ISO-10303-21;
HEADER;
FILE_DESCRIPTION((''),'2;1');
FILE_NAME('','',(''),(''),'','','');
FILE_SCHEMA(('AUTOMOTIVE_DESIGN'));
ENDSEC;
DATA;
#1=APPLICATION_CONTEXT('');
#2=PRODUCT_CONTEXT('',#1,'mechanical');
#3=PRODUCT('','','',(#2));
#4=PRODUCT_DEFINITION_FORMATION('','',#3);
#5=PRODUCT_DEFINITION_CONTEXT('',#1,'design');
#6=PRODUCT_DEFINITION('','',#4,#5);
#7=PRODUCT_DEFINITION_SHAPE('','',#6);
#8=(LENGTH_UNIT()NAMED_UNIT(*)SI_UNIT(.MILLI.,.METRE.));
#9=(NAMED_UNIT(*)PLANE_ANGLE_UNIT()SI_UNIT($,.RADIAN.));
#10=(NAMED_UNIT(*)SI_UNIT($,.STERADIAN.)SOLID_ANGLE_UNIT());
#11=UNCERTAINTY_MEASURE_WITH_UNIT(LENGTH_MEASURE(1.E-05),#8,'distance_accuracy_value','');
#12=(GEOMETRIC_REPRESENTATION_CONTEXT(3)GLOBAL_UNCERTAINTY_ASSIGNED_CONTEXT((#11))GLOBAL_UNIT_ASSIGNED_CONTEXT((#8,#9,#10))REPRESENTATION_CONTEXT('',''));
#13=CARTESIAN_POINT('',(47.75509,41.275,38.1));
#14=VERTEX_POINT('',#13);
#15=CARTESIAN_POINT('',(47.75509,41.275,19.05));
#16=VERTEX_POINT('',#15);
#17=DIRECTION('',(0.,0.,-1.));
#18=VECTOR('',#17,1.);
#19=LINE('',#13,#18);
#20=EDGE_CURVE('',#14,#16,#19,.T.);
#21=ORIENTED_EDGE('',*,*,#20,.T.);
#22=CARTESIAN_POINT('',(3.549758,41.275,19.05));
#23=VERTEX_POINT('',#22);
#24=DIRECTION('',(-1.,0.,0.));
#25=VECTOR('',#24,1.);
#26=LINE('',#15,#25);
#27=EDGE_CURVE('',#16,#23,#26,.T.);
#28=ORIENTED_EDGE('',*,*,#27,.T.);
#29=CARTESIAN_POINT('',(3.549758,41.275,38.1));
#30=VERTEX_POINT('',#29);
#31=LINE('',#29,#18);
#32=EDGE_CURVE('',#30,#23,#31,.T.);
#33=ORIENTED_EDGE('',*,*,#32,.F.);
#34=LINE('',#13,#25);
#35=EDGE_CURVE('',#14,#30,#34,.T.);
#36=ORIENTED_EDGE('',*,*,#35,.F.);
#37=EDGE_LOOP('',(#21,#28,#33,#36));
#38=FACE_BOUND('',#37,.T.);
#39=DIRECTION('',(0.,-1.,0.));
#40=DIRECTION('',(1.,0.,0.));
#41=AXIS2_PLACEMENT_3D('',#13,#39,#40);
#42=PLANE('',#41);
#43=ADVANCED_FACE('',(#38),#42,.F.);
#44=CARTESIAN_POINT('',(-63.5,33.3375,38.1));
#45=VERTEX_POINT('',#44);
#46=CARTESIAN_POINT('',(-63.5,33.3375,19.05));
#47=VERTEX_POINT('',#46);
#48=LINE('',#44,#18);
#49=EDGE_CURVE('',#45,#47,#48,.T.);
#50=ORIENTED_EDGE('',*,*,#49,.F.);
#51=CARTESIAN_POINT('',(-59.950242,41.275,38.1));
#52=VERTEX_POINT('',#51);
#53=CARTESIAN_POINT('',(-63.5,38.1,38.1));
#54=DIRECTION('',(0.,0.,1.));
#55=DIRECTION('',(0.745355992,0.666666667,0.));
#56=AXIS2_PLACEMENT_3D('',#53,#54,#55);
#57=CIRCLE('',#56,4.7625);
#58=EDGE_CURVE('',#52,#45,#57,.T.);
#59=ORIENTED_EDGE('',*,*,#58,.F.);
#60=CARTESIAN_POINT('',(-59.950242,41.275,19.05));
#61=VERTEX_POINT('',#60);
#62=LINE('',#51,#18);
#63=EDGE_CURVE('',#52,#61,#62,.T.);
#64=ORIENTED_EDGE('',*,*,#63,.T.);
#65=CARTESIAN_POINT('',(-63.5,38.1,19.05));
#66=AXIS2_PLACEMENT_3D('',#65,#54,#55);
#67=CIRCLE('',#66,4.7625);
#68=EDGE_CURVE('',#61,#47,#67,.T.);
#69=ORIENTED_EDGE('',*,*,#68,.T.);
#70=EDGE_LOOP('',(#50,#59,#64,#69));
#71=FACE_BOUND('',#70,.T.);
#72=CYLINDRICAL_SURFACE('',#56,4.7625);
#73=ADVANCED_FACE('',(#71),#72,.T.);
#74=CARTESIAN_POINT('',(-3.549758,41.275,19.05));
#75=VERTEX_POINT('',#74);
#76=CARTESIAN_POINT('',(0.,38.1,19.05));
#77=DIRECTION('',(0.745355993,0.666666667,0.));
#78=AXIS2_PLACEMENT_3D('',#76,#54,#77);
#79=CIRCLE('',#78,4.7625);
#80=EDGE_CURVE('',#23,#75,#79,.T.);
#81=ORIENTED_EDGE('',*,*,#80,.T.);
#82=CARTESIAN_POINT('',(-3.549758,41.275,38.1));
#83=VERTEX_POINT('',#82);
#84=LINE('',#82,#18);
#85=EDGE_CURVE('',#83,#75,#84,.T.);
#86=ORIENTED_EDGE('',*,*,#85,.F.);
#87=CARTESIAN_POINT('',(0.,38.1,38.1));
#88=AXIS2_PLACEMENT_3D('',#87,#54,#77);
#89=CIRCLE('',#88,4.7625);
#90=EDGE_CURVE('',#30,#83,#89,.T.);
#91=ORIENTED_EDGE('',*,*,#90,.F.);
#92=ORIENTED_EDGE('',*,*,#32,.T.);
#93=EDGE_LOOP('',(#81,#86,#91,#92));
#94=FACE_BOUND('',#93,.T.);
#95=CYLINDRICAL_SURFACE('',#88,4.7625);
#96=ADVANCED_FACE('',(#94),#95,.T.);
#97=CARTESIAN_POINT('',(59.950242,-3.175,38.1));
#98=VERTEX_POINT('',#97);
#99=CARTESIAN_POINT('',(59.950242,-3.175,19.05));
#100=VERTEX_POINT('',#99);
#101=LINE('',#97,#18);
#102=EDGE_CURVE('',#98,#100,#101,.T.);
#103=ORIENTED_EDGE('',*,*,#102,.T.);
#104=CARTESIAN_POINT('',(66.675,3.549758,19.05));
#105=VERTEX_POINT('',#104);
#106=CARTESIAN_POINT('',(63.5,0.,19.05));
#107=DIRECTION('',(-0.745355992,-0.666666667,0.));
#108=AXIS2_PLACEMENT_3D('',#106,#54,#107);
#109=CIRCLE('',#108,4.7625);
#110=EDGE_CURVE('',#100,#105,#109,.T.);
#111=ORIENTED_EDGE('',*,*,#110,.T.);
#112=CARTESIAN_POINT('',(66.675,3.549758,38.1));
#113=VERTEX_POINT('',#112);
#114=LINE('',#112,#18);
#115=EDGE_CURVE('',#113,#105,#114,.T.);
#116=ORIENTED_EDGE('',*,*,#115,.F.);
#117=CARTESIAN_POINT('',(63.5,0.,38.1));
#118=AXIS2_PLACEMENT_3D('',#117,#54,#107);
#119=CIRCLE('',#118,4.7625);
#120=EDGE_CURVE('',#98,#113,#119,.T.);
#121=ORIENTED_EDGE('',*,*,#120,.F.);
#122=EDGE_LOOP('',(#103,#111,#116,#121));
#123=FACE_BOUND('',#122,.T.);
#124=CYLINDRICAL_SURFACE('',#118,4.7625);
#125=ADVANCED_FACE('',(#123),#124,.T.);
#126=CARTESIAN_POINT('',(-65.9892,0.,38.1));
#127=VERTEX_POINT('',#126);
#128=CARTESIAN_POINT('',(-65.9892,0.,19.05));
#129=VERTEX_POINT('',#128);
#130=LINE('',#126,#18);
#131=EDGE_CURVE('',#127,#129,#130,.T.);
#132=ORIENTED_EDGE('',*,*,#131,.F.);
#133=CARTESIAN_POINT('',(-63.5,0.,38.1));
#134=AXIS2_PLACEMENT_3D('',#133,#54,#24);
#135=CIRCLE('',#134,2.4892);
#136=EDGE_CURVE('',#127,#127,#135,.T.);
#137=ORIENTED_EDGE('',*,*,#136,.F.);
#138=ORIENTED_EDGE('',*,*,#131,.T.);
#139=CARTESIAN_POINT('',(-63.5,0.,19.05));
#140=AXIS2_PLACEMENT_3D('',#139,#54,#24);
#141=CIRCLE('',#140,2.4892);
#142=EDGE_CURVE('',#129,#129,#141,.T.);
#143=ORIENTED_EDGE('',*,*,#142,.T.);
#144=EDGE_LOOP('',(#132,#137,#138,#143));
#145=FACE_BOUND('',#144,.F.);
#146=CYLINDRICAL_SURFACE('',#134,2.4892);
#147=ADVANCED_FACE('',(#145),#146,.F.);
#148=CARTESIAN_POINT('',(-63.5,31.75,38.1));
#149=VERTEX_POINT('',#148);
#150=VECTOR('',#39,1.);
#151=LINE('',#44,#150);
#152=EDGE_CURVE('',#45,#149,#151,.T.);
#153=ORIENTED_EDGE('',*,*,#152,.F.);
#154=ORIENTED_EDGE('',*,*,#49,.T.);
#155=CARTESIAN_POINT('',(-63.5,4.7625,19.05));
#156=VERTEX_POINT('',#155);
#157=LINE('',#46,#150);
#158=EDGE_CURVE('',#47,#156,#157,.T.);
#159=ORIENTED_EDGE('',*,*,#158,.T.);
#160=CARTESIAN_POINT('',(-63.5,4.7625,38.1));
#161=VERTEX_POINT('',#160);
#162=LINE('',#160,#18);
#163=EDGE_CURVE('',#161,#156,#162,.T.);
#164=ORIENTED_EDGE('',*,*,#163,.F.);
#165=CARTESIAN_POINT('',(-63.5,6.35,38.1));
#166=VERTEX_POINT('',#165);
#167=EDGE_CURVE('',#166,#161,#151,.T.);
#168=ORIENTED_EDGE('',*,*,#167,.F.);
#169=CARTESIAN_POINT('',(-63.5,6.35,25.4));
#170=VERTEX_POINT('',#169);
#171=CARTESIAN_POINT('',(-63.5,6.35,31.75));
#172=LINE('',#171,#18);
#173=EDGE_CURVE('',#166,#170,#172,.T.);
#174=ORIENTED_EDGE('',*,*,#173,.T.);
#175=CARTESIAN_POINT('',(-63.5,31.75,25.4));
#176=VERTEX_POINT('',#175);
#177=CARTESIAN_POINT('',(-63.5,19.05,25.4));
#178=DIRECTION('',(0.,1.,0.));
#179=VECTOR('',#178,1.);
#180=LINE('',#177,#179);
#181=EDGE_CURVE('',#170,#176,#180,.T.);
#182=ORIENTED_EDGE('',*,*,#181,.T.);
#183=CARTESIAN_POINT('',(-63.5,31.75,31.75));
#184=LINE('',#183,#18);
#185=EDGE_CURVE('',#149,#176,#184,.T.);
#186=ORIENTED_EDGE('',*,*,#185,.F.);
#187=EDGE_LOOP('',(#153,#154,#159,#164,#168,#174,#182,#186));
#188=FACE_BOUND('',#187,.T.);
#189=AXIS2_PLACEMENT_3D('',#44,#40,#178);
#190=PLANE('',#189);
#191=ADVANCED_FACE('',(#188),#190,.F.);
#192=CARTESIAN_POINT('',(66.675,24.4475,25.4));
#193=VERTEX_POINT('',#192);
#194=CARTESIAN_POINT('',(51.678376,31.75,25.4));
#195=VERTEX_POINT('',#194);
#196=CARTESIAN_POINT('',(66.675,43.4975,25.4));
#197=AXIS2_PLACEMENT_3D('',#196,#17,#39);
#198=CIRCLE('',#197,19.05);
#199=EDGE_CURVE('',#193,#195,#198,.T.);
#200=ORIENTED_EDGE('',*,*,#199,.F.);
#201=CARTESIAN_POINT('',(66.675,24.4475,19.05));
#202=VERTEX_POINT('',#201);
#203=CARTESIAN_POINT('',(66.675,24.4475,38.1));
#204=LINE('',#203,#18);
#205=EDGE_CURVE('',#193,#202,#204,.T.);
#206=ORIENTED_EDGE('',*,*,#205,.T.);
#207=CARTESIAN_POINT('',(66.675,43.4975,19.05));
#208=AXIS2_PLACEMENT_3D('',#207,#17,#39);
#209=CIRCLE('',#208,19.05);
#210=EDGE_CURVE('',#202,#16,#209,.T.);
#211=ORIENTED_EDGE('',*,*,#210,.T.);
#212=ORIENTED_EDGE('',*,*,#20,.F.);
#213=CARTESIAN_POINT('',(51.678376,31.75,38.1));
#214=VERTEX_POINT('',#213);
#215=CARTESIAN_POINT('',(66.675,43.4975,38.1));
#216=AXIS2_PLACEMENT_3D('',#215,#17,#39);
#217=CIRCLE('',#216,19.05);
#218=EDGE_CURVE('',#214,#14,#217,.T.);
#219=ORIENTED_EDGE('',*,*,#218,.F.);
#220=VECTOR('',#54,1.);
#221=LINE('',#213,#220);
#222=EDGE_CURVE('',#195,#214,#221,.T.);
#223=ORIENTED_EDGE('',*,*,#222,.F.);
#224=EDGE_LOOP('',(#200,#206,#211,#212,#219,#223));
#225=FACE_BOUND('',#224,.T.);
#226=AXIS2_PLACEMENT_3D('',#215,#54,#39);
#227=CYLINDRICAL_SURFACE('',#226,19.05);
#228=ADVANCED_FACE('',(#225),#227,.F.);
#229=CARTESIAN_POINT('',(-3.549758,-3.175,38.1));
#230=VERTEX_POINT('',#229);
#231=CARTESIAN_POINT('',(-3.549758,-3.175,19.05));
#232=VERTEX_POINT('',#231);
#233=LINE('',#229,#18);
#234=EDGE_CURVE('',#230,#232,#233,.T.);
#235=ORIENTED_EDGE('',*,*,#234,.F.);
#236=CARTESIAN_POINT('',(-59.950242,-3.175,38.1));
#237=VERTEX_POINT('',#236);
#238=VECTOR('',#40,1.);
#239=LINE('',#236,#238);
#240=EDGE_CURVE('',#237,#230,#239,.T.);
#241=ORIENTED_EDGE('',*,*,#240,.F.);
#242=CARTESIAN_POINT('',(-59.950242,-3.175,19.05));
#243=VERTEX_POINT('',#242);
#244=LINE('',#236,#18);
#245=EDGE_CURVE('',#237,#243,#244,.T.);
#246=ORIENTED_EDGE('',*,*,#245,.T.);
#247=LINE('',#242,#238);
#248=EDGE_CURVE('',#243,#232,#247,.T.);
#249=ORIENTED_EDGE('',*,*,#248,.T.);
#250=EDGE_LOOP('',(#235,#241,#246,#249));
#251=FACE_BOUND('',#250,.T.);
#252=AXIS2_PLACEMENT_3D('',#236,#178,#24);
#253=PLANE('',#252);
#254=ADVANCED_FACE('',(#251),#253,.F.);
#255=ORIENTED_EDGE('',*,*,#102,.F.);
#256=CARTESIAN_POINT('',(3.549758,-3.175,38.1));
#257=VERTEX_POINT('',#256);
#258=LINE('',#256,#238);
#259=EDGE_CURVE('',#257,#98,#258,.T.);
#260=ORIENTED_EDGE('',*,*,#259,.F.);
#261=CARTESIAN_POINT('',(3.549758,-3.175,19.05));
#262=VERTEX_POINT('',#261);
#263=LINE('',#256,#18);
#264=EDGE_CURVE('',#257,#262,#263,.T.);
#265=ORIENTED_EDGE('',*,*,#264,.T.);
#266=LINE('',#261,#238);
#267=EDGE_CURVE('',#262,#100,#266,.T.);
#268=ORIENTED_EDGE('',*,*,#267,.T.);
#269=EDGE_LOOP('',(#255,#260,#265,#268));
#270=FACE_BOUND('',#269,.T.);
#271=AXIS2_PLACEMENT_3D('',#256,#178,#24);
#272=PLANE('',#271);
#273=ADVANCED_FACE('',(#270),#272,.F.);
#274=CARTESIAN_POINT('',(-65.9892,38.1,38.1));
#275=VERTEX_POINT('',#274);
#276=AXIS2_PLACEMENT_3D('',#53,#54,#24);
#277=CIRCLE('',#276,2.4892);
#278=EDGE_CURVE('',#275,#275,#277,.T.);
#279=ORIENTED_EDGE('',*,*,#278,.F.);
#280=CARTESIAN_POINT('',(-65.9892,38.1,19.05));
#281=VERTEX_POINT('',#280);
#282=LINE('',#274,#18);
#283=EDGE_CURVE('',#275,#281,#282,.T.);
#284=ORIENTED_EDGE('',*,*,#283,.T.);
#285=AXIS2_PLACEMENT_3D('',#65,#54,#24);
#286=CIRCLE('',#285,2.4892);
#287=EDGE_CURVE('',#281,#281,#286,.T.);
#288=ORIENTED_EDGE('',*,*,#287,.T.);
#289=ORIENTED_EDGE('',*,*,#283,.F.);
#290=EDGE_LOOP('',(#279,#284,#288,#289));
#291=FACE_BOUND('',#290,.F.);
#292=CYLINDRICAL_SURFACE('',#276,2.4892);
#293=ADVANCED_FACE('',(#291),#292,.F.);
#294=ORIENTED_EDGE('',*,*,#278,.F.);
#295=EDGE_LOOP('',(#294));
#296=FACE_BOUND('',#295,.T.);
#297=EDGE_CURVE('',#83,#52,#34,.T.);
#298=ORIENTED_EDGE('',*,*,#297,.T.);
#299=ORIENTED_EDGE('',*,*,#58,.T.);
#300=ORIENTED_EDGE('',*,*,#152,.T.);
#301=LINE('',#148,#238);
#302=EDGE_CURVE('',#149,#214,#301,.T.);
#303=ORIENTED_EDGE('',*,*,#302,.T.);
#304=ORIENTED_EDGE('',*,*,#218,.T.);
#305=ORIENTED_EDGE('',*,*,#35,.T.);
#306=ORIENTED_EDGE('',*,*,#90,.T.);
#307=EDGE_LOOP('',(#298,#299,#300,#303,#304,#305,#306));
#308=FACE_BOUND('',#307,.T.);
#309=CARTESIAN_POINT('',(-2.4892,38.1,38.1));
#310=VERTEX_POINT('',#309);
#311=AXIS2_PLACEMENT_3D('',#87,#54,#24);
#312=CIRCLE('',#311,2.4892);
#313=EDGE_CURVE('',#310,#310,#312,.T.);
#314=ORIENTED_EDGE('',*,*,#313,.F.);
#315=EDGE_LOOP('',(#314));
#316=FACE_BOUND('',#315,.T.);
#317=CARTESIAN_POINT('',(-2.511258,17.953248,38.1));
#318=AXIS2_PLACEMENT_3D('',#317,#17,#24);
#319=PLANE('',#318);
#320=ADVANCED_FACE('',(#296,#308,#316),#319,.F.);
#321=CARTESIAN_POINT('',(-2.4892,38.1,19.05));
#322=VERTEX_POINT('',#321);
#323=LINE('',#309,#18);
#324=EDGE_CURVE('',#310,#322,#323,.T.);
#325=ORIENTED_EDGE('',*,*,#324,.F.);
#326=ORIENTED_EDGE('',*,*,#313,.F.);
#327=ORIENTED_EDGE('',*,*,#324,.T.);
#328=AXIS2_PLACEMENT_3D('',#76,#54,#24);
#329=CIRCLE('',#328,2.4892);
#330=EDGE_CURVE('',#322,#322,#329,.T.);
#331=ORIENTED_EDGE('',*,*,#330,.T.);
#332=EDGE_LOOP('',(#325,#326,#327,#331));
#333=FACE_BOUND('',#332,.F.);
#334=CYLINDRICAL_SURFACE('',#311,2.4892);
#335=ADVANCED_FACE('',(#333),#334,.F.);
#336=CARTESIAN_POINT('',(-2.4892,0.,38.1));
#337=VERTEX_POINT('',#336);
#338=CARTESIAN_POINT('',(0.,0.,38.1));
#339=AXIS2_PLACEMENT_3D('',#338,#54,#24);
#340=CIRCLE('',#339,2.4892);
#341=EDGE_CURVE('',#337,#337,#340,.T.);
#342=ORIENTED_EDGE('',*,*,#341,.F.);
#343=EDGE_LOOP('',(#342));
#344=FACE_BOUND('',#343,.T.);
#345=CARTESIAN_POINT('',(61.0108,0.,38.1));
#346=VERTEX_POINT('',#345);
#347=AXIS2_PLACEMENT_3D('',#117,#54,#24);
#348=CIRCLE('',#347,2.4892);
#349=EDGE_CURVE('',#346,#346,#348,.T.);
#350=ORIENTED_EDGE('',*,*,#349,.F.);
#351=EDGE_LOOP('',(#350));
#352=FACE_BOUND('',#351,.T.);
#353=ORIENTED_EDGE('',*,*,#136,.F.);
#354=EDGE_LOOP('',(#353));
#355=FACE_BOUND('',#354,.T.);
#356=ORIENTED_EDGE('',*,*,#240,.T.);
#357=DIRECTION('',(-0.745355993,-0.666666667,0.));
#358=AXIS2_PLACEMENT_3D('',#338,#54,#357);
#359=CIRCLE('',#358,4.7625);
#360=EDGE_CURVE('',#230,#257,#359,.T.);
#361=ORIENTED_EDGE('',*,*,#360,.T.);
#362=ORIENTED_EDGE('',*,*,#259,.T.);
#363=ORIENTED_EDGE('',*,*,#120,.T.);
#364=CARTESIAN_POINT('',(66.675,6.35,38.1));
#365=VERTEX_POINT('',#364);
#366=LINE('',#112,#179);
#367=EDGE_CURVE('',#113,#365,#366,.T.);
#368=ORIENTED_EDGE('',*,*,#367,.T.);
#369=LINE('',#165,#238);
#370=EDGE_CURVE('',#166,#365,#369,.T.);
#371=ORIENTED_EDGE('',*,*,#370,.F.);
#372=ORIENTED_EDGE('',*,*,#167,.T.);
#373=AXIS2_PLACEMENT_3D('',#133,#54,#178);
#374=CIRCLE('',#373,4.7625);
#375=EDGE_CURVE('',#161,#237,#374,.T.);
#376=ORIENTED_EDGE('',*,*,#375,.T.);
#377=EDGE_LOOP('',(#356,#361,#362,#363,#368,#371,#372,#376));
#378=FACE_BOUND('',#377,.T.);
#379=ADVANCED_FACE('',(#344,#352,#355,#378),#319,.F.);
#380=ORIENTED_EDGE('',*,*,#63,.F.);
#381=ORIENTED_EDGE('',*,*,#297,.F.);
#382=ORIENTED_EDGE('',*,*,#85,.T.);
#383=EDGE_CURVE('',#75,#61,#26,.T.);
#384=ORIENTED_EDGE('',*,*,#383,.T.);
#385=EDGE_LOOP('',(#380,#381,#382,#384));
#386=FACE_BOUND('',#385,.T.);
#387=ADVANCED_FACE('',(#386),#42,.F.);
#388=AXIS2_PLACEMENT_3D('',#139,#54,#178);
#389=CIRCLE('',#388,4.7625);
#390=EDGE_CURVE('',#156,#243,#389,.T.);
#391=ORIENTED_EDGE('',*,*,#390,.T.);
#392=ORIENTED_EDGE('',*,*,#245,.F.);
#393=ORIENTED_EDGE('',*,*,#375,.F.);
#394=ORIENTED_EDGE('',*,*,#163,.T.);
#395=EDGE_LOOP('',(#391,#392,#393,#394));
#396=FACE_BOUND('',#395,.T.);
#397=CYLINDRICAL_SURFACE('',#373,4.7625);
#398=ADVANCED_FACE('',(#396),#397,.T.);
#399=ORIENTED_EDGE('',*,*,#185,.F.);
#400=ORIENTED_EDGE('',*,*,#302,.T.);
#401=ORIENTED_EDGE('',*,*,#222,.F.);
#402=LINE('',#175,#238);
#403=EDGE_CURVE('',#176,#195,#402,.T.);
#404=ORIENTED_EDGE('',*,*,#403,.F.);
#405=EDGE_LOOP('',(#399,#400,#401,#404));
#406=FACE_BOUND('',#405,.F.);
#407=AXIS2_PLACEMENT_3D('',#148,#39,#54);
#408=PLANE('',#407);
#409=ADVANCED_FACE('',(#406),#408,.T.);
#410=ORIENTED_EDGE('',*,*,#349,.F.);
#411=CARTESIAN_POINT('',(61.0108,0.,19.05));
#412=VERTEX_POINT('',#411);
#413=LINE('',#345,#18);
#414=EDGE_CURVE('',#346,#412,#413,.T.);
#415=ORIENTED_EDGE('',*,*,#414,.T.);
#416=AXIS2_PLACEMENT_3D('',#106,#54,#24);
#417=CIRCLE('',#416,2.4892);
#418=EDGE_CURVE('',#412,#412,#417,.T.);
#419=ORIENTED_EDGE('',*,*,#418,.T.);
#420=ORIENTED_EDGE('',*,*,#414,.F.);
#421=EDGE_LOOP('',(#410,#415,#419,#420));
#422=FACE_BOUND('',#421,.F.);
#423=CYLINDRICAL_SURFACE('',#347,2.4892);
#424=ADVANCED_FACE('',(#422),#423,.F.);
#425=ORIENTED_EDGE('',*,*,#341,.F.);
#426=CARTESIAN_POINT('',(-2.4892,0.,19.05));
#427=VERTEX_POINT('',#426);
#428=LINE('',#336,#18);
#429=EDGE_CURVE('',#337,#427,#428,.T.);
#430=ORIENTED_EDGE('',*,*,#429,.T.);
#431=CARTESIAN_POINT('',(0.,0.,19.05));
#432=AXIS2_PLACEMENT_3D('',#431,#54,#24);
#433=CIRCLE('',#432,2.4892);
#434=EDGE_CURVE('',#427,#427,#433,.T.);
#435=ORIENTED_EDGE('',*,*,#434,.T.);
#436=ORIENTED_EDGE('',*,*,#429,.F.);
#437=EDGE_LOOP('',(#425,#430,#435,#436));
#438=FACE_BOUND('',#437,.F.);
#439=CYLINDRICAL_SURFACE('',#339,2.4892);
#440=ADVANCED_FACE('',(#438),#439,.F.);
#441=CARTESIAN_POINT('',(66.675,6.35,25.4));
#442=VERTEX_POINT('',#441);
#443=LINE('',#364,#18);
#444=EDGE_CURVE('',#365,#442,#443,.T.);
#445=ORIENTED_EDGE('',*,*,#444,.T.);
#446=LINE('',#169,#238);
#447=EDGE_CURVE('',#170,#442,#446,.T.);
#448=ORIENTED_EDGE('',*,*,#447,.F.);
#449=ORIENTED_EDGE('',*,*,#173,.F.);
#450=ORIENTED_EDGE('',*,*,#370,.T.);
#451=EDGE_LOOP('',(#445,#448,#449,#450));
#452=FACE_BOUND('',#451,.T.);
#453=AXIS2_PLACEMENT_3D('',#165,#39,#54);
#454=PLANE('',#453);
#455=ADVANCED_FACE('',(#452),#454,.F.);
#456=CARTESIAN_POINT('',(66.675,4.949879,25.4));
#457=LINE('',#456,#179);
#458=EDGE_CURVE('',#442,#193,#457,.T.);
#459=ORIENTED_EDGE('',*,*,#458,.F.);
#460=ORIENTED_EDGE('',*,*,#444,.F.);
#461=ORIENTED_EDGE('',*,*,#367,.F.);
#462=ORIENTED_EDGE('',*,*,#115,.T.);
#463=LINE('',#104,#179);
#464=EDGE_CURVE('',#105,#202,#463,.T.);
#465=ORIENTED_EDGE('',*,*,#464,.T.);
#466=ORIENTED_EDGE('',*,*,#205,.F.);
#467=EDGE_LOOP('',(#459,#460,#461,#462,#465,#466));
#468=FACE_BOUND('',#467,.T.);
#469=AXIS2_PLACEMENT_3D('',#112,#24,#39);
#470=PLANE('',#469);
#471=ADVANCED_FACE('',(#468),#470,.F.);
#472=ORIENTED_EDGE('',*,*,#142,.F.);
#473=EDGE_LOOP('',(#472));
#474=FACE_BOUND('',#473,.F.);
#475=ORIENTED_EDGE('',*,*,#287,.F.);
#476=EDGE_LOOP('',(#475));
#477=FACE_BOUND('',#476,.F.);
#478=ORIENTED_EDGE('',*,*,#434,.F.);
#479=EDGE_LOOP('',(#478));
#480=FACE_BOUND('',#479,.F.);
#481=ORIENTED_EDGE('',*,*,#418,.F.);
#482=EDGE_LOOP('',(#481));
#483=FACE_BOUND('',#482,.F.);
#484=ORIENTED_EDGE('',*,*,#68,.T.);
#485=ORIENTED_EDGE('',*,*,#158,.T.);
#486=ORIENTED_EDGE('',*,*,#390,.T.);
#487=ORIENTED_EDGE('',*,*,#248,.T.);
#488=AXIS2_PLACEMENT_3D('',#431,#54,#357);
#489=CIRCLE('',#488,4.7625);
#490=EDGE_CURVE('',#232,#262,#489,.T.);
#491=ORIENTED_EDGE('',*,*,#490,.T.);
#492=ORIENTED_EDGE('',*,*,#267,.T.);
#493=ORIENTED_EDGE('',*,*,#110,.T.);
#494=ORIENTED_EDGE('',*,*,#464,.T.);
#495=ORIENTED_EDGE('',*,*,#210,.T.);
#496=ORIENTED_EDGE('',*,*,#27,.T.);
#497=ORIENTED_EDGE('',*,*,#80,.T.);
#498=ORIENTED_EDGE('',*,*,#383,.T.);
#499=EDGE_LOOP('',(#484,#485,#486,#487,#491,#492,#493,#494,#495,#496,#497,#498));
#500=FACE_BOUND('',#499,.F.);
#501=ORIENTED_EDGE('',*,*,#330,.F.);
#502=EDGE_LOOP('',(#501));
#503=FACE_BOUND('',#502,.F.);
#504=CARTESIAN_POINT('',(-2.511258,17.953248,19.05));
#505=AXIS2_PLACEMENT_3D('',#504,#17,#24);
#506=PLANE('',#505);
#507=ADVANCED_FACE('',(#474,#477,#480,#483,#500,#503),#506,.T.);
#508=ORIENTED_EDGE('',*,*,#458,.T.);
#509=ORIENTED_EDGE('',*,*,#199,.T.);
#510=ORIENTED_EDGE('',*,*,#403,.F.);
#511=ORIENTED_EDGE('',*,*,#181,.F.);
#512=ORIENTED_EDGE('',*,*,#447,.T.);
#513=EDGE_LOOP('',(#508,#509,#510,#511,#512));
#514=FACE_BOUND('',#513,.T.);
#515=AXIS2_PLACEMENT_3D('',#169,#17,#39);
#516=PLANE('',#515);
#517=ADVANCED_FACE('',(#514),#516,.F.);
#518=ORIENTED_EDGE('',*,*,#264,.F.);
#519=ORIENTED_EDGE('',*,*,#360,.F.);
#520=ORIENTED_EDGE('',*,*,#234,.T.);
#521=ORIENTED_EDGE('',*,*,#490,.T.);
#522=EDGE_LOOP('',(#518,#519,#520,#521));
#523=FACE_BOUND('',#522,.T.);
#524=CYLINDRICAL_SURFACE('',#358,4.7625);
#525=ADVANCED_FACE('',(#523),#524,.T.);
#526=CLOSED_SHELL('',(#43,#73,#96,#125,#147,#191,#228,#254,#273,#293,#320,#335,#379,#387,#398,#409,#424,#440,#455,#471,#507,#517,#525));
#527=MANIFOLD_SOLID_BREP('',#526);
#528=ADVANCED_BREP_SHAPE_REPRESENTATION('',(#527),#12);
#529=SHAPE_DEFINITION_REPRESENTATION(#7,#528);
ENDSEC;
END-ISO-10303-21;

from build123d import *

# Parameters (mm, degrees)
SKETCH1_R           = 2.4892
BOSS_EXTRUDE1_DEPTH = 19.05
SKETCH2_W           = 12.7
SKETCH2_H           = 25.4
CUT_EXTRUDE1_DEPTH  = 140.862263719


with BuildPart() as part:
    # Sketch1 → Boss-Extrude1 (new body)
    # profile 1 of 2: a face of its own
    with BuildSketch(Plane.XY):
        with BuildLine():
            ThreePointArc((-3.549757914, -3.175), (0, -4.7625), (3.549757914, -3.175))
            Line((3.549757914, -3.175), (59.950242086, -3.175))
            ThreePointArc((59.950242086, -3.175), (66.867596045, -3.367596045), (66.675, 3.549757914))
            Line((66.675, 3.549757914), (66.675, 24.4475))
            ThreePointArc((66.675, 24.4475), (54.014749706, 29.263015025), (47.755090017, 41.275))
            Line((47.755090017, 41.275), (3.549757914, 41.275))
            Line((3.549757914, 41.275), (-3.549757914, 41.275))
            Line((-3.549757914, 41.275), (-59.950242086, 41.275))
            ThreePointArc((-59.950242086, 41.275), (-67.8475478, 40.044282483), (-63.5, 33.3375))
            Line((-63.5, 33.3375), (-63.5, 4.7625))
            ThreePointArc((-63.5, 4.7625), (-67.8475478, -1.944282483), (-59.950242086, -3.175))
            Line((-59.950242086, -3.175), (-3.549757914, -3.175))
        make_face()
        with Locations(Location((-63.5, 0, 0), (0, 0, 180))):
            Circle(SKETCH1_R, mode=Mode.SUBTRACT)
        with Locations(Location((0, 0, 0), (0, 0, 180))):
            Circle(SKETCH1_R, mode=Mode.SUBTRACT)
        with Locations(Location((63.5, 0, 0), (0, 0, 180))):
            Circle(SKETCH1_R, mode=Mode.SUBTRACT)
        with Locations(Location((-63.5, 38.1, 0), (0, 0, 180))):
            Circle(SKETCH1_R, mode=Mode.SUBTRACT)
        with Locations(Location((0, 38.1, 0), (0, 0, 180))):
            Circle(SKETCH1_R, mode=Mode.SUBTRACT)
    # profile 2 of 2: a face of its own
    with BuildSketch(Plane.XY):
        with BuildLine():
            Line((-3.549757914, 41.275), (3.549757914, 41.275))
            ThreePointArc((3.549757914, 41.275), (0, 42.8625), (-3.549757914, 41.275))
        make_face()
    extrude(amount=BOSS_EXTRUDE1_DEPTH)

    # Sketch2 → Cut-Extrude1 (cut, through all)
    with BuildSketch(Plane.ZY.offset(63.5)):
        with Locations((6.35, 19.05)):
            Rectangle(SKETCH2_W, SKETCH2_H)
    extrude(amount=-CUT_EXTRUDE1_DEPTH, mode=Mode.SUBTRACT)


with BuildPart() as body_2:
    # Mirror1: mirrored copy
    add(part.part.mirror(Plane.XY.offset(19.05)))


solid = body_2.part
